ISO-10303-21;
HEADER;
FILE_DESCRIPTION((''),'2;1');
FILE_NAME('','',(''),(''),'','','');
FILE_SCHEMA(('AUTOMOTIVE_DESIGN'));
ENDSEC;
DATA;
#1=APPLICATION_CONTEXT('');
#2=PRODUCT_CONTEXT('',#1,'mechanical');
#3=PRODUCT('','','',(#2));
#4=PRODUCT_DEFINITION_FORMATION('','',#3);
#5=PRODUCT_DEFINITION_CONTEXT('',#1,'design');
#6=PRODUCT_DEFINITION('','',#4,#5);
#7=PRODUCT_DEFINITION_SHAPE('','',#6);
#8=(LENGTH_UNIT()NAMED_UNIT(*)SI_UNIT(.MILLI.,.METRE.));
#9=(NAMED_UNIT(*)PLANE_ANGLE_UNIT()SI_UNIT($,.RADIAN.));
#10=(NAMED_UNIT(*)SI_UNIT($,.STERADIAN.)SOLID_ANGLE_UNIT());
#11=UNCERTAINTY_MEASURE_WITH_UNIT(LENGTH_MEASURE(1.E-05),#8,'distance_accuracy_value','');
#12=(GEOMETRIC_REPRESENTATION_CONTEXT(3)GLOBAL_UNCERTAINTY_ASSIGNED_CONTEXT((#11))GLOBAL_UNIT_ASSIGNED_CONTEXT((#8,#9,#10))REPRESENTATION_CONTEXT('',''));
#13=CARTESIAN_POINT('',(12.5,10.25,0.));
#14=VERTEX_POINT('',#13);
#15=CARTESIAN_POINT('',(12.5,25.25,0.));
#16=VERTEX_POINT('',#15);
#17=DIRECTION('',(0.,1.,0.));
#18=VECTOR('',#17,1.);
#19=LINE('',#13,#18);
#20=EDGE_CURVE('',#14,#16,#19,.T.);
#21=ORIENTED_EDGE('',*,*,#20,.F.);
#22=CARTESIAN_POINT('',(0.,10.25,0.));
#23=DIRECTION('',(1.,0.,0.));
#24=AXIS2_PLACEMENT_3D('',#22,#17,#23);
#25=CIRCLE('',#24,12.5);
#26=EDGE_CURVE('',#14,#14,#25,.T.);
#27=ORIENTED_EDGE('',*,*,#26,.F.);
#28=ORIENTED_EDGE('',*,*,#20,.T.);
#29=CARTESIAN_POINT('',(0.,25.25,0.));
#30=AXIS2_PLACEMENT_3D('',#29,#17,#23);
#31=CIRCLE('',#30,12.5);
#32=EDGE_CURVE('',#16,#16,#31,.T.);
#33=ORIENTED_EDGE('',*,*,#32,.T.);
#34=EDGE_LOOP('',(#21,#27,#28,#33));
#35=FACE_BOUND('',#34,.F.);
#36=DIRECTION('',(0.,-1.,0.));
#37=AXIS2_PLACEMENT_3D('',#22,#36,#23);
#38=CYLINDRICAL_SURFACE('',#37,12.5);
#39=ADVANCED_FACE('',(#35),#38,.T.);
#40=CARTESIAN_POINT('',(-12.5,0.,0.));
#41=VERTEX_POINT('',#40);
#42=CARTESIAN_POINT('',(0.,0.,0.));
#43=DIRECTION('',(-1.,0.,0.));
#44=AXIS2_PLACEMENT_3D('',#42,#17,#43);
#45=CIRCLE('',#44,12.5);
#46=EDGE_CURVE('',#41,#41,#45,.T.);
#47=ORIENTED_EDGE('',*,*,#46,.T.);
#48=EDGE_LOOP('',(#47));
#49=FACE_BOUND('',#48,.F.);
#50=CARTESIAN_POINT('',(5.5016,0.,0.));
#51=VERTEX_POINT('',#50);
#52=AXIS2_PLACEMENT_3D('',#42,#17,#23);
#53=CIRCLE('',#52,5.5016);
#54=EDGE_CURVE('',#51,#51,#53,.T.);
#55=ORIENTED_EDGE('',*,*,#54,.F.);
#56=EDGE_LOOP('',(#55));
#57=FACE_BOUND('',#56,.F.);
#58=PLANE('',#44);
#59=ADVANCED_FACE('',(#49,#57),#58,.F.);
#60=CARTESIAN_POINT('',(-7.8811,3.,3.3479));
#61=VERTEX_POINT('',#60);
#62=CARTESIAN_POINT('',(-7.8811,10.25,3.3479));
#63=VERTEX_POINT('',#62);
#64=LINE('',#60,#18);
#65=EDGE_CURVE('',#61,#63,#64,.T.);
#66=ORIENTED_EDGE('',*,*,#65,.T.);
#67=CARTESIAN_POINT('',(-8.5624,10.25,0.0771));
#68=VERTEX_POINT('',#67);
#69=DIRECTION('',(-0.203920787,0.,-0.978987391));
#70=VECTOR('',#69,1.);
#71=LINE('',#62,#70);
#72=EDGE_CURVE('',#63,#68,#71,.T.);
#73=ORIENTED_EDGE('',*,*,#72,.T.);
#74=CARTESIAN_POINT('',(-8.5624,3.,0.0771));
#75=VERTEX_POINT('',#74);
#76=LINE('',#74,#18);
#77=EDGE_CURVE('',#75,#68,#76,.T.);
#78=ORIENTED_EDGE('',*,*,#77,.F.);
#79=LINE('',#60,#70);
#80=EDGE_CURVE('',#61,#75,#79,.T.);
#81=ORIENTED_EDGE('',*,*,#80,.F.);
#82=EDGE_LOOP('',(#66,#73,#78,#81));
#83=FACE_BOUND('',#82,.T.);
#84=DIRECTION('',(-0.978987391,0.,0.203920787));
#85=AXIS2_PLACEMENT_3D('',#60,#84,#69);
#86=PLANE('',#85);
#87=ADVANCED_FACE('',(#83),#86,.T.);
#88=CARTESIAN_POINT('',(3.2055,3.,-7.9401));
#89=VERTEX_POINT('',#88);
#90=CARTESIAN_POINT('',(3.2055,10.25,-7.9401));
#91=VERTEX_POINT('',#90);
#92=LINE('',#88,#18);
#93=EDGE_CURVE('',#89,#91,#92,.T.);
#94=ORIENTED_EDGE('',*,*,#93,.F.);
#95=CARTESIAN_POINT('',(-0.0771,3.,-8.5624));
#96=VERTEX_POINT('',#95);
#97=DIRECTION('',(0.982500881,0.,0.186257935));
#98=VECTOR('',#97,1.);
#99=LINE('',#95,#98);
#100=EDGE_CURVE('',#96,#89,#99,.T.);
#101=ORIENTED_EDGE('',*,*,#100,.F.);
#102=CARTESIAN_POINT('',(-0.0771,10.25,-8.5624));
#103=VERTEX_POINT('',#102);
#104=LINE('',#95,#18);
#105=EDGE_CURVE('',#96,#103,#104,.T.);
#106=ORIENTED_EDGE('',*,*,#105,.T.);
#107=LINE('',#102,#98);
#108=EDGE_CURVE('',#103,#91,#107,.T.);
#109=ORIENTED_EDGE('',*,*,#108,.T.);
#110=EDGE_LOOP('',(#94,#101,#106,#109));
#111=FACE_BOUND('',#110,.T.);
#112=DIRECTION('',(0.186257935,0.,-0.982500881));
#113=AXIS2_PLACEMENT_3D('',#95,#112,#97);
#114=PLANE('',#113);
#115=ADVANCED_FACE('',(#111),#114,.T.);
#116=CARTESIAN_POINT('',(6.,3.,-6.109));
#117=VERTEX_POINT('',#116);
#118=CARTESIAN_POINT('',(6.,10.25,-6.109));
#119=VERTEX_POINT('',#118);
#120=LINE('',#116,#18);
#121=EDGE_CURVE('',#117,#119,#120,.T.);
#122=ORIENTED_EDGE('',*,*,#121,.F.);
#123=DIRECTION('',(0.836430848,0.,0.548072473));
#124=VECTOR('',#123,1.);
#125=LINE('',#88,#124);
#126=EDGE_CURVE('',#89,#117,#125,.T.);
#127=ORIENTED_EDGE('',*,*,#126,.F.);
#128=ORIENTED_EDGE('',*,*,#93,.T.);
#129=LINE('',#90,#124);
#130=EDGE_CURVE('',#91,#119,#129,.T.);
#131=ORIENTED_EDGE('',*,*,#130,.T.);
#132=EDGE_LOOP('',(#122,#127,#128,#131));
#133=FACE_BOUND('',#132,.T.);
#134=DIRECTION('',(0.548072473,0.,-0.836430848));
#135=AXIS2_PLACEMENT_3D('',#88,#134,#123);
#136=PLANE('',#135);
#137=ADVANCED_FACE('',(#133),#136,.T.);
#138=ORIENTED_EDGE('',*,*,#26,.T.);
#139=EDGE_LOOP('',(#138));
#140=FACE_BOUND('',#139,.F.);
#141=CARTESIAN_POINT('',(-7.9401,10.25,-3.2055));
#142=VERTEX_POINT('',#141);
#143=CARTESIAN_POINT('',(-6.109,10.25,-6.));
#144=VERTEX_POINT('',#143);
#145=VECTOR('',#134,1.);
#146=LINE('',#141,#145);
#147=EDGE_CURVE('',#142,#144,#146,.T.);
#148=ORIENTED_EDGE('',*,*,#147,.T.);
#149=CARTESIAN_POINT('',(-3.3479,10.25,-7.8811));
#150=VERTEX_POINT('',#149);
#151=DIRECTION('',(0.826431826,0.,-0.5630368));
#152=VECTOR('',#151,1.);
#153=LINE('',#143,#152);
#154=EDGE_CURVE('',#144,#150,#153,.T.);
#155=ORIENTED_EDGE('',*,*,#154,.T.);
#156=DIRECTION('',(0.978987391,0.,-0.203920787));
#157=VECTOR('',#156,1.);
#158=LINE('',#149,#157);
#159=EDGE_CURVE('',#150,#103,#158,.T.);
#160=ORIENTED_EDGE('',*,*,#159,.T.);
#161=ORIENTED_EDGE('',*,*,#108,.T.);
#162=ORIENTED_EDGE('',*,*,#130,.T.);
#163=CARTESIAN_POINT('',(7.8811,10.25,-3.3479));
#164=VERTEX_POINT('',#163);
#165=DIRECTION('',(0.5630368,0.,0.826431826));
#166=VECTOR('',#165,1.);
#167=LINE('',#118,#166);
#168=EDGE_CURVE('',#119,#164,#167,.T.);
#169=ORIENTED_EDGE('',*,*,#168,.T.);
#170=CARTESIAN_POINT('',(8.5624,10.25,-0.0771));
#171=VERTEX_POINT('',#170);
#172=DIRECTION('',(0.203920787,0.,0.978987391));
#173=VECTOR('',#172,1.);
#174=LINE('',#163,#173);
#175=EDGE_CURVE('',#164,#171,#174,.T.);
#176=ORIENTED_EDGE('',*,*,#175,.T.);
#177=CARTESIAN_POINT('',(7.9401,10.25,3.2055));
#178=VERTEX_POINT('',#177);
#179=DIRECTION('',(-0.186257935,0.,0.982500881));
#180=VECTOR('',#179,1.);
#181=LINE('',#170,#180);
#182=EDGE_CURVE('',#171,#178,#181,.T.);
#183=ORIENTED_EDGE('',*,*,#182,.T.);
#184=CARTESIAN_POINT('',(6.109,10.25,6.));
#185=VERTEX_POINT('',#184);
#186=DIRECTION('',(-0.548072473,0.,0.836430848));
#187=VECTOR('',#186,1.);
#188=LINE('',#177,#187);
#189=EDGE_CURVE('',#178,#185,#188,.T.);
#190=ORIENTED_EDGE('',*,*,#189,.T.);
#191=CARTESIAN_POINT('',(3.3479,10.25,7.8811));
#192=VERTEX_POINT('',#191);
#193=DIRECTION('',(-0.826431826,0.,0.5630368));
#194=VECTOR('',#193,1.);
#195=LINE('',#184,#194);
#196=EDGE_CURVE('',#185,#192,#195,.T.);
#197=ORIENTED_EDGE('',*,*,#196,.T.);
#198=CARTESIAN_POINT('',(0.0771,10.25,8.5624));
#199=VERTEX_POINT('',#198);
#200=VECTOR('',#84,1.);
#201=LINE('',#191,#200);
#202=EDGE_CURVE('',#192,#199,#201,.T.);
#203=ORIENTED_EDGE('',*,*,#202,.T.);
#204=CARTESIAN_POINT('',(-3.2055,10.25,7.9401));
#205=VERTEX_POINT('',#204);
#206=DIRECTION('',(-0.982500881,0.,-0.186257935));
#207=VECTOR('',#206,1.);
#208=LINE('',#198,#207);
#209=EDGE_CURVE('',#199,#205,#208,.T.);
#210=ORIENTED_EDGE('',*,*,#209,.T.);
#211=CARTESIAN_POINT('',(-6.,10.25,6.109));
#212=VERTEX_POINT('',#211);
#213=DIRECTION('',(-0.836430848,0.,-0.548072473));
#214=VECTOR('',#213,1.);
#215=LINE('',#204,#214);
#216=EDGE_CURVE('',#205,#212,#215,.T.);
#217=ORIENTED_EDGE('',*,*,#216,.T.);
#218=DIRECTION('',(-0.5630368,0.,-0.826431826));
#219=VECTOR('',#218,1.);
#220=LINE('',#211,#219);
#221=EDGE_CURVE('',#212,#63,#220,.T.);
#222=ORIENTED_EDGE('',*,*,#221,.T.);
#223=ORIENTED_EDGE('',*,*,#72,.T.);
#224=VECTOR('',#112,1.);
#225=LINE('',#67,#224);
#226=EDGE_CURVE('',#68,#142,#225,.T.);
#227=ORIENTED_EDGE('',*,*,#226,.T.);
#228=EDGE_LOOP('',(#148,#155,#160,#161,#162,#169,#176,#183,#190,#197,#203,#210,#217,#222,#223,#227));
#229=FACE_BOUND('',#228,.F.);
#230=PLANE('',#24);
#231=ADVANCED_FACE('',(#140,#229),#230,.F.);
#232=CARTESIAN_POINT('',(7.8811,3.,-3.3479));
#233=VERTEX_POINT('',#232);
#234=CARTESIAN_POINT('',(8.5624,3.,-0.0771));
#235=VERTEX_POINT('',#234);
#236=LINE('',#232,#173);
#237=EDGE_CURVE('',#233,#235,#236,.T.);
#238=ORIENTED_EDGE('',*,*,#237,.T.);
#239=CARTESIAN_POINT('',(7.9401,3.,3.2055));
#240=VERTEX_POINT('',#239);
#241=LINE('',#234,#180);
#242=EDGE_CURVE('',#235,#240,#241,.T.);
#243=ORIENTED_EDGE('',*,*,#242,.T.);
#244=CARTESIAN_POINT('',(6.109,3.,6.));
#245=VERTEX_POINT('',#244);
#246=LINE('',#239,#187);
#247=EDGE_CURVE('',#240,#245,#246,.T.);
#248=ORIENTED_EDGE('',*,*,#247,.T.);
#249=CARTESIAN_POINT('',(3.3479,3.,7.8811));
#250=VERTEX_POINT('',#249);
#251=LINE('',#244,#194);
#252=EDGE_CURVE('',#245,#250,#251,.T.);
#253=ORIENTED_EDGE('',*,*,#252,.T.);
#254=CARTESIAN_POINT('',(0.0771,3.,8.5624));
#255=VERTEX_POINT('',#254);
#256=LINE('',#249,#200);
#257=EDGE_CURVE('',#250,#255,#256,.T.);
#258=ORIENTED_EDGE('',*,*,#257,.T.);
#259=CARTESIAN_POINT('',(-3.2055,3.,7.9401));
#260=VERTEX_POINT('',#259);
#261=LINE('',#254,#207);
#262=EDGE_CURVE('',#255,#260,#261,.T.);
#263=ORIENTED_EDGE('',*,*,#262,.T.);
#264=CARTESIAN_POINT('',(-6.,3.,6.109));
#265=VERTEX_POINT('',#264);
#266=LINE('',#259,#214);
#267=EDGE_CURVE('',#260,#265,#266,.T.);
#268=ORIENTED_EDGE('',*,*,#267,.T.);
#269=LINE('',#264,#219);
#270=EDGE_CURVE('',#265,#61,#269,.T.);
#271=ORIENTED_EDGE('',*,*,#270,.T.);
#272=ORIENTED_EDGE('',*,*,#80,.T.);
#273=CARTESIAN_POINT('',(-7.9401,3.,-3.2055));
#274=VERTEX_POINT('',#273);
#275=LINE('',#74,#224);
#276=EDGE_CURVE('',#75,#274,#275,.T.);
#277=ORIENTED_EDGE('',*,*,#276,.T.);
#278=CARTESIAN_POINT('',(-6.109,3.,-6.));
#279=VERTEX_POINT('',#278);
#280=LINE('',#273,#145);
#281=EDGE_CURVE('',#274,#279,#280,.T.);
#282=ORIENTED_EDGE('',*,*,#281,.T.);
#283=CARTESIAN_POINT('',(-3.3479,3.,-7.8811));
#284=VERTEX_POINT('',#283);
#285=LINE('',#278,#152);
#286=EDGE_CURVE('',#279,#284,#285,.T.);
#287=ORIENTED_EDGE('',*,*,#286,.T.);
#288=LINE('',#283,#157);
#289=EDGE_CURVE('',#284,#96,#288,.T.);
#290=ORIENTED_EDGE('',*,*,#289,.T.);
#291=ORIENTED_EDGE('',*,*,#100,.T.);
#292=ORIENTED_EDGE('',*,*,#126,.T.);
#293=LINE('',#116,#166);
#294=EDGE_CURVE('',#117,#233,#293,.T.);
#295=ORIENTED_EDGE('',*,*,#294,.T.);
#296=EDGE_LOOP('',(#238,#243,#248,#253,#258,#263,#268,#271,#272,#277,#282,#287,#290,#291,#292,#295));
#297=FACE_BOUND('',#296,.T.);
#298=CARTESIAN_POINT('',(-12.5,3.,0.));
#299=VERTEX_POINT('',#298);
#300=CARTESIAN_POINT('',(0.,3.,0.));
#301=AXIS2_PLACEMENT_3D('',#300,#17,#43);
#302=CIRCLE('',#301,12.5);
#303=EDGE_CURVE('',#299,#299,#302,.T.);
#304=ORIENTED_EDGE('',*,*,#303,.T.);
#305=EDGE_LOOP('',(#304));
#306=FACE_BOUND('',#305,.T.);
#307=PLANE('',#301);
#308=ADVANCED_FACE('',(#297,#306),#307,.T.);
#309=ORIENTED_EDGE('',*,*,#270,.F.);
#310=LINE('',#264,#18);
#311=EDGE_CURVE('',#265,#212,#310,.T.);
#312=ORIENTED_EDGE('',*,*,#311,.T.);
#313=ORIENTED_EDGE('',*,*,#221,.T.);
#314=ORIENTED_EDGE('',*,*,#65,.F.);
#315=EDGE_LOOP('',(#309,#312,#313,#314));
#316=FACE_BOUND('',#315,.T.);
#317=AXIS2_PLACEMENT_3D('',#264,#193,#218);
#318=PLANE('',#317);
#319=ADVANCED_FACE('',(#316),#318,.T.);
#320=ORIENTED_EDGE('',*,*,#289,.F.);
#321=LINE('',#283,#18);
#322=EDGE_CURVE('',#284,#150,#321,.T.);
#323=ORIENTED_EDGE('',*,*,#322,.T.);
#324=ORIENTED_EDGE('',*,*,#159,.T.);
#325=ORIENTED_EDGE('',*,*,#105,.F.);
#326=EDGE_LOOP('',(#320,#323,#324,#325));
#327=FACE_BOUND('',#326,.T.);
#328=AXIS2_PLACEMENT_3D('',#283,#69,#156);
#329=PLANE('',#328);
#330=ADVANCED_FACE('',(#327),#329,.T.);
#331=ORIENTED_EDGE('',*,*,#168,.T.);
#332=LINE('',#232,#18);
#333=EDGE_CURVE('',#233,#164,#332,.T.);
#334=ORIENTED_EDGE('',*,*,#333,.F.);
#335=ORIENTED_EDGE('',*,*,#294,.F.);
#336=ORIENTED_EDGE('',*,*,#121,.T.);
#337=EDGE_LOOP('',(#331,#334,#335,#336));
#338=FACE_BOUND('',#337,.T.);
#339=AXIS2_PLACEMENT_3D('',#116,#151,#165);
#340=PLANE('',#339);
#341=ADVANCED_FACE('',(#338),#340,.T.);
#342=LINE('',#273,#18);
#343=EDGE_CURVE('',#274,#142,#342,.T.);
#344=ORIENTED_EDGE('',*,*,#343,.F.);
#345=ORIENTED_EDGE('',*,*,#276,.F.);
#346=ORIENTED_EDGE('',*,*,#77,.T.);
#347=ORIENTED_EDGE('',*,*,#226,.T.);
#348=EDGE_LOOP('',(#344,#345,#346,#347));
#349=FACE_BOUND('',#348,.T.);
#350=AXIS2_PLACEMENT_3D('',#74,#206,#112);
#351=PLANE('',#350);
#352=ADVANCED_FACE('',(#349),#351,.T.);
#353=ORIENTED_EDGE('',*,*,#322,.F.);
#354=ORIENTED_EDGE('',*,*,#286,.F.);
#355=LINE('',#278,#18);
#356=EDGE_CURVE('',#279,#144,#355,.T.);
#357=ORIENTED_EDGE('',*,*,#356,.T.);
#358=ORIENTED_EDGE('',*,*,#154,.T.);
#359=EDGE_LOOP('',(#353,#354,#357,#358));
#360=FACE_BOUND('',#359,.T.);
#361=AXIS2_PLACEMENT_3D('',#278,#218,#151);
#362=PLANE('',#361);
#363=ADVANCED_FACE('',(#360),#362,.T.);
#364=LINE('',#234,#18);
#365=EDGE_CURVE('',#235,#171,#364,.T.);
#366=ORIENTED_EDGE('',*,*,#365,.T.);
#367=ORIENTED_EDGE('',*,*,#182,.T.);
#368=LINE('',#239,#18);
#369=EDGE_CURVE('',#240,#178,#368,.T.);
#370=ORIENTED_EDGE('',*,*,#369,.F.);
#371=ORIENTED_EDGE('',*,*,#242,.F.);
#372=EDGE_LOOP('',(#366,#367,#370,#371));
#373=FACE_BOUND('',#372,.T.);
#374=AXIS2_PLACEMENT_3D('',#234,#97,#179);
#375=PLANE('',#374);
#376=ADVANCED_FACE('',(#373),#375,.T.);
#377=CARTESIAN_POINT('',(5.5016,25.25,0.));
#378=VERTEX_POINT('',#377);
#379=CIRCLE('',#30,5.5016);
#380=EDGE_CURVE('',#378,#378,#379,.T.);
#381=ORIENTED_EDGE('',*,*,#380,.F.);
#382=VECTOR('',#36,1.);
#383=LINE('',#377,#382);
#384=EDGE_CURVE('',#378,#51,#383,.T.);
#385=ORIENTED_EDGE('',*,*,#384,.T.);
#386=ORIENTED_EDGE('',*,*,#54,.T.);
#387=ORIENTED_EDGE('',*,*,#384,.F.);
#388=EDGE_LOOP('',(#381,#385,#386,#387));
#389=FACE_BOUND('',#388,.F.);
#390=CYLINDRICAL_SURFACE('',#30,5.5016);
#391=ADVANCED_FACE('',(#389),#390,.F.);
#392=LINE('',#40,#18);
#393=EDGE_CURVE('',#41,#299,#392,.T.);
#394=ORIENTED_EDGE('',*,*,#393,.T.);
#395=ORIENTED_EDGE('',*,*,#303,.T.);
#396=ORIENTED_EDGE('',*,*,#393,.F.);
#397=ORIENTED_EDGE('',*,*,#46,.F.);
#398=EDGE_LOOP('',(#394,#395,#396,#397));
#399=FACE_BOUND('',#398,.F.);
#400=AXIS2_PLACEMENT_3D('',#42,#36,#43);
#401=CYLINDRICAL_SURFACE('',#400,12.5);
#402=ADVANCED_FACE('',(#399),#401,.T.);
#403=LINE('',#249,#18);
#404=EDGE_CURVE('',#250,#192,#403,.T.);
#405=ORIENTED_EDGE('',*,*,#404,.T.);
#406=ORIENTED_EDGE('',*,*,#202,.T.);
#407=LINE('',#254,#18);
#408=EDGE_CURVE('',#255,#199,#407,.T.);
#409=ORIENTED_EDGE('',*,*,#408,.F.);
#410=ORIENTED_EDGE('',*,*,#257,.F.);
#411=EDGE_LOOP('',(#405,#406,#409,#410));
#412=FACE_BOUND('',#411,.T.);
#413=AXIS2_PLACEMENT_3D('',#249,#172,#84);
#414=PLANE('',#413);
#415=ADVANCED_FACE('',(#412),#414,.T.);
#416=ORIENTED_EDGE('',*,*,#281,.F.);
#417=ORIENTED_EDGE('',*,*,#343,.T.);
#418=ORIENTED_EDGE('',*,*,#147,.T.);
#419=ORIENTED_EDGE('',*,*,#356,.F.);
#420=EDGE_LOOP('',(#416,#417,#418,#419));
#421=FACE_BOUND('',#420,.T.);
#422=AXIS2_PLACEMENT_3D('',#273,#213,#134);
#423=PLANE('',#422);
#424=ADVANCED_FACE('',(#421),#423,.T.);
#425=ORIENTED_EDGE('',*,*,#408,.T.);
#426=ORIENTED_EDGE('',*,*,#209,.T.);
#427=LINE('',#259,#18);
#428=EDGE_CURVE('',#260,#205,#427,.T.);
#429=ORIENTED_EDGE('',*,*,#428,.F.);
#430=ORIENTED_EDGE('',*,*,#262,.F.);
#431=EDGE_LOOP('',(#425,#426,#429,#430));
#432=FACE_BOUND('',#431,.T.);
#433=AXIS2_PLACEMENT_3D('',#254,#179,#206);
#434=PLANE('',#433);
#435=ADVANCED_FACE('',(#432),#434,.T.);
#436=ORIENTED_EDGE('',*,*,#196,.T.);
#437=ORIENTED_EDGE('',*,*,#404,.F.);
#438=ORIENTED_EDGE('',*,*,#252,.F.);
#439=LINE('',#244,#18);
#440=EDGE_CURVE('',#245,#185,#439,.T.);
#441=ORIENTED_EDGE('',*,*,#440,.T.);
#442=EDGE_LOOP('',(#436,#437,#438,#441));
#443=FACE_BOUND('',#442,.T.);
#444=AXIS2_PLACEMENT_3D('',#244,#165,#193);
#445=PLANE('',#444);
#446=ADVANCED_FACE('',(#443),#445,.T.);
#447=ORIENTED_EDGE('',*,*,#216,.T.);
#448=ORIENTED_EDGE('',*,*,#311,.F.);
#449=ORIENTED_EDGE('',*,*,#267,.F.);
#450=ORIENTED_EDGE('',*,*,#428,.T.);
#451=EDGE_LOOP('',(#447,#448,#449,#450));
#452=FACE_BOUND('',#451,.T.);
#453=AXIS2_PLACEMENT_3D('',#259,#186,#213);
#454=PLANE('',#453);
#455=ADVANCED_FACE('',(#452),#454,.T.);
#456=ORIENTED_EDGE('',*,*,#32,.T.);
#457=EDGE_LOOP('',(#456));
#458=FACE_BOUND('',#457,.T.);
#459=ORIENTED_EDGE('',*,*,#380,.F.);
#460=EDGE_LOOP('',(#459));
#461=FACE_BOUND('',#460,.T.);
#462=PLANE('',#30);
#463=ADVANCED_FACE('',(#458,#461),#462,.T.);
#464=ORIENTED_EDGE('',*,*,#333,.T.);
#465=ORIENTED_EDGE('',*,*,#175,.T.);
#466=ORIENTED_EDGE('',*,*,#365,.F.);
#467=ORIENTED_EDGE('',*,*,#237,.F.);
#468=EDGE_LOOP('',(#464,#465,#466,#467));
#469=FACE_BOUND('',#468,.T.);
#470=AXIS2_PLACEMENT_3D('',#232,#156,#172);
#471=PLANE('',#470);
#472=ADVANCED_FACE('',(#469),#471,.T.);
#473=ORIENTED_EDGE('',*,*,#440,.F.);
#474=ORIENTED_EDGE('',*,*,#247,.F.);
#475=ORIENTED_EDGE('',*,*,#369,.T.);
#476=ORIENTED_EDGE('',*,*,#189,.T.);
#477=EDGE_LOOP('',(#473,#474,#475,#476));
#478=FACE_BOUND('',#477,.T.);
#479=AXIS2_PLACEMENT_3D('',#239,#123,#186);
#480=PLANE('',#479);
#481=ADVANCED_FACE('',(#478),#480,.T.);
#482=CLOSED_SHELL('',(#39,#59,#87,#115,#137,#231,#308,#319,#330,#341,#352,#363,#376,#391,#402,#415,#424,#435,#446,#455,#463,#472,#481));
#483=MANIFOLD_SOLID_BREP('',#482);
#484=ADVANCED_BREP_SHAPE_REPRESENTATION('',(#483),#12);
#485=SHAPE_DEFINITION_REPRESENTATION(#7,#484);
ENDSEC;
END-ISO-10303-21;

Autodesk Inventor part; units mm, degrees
ref_plane "YZ Plane" through (0, 0, 0) normal (1, 0, 0) x (0, 1, 0)
ref_plane "XZ Plane" through (0, 0, 0) normal (0, 1, 0) x (-1, 0, 0)
ref_plane "XY Plane" through (0, 0, 0) normal (0, 0, 1) x (1, 0, 0)
sketch "Szkic1" plane through (0, 0, 0) normal (0, 1, 0) x (-1, 0, 0)
  circle A0 centre (0, 0) radius 12.5
  dimension "d0" = 25
extrude "Wyciągnięcie proste1" add sketch "Szkic1" along normal blind 3
sketch "Szkic7" plane through (0, 3, 0) normal (0, 1, 0) x (1, 0, 0)
  line L0 (6, 6.109) -> (7.8811, 3.3479)
  line L1 (7.8811, 3.3479) -> (8.5624, 0.0771)
  line L2 (8.5624, 0.0771) -> (7.9401, -3.2055)
  line L3 (7.9401, -3.2055) -> (6.109, -6)
  line L4 (6.109, -6) -> (3.3479, -7.8811)
  line L5 (3.3479, -7.8811) -> (0.0771, -8.5624)
  line L6 (0.0771, -8.5624) -> (-3.2055, -7.9401)
  line L7 (-3.2055, -7.9401) -> (-6, -6.109)
  line L8 (-6, -6.109) -> (-7.8811, -3.3479)
  line L9 (-7.8811, -3.3479) -> (-8.5624, -0.0771)
  line L10 (-8.5624, -0.0771) -> (-7.9401, 3.2055)
  line L11 (-7.9401, 3.2055) -> (-6.109, 6)
  line L12 (-6.109, 6) -> (-3.3479, 7.8811)
  line L13 (-3.3479, 7.8811) -> (-0.0771, 8.5624)
  line L14 (-0.0771, 8.5624) -> (3.2055, 7.9401)
  line L15 (3.2055, 7.9401) -> (6, 6.109)
  point P0 (0, 0)
  point P1 (0, 0)
extrude "Wyciągnięcie proste6" add sketch "Szkic7" along normal blind 7.25
sketch "Szkic8" plane through (0, 10.25, 0) normal (0, 1, 0) x (1, 0, 0)
  circle A0 centre (0, 0) radius 12.5
extrude "Wyciągnięcie proste7" add sketch "Szkic8" along normal blind 15
sketch "Szkic9" plane through (0, 25.25, 0) normal (0, 1, 0) x (1, 0, 0)
  circle A0 centre (0, 0) radius 5.5016
extrude "Wyciągnięcie proste8" cut sketch "Szkic9" against normal blind 30
sketch "Szkic10" plane through (0, 25.25, 0) normal (0, 1, 0) x (1, 0, 0)
  point P0 (0, 0)
properties part number "spool_long"
